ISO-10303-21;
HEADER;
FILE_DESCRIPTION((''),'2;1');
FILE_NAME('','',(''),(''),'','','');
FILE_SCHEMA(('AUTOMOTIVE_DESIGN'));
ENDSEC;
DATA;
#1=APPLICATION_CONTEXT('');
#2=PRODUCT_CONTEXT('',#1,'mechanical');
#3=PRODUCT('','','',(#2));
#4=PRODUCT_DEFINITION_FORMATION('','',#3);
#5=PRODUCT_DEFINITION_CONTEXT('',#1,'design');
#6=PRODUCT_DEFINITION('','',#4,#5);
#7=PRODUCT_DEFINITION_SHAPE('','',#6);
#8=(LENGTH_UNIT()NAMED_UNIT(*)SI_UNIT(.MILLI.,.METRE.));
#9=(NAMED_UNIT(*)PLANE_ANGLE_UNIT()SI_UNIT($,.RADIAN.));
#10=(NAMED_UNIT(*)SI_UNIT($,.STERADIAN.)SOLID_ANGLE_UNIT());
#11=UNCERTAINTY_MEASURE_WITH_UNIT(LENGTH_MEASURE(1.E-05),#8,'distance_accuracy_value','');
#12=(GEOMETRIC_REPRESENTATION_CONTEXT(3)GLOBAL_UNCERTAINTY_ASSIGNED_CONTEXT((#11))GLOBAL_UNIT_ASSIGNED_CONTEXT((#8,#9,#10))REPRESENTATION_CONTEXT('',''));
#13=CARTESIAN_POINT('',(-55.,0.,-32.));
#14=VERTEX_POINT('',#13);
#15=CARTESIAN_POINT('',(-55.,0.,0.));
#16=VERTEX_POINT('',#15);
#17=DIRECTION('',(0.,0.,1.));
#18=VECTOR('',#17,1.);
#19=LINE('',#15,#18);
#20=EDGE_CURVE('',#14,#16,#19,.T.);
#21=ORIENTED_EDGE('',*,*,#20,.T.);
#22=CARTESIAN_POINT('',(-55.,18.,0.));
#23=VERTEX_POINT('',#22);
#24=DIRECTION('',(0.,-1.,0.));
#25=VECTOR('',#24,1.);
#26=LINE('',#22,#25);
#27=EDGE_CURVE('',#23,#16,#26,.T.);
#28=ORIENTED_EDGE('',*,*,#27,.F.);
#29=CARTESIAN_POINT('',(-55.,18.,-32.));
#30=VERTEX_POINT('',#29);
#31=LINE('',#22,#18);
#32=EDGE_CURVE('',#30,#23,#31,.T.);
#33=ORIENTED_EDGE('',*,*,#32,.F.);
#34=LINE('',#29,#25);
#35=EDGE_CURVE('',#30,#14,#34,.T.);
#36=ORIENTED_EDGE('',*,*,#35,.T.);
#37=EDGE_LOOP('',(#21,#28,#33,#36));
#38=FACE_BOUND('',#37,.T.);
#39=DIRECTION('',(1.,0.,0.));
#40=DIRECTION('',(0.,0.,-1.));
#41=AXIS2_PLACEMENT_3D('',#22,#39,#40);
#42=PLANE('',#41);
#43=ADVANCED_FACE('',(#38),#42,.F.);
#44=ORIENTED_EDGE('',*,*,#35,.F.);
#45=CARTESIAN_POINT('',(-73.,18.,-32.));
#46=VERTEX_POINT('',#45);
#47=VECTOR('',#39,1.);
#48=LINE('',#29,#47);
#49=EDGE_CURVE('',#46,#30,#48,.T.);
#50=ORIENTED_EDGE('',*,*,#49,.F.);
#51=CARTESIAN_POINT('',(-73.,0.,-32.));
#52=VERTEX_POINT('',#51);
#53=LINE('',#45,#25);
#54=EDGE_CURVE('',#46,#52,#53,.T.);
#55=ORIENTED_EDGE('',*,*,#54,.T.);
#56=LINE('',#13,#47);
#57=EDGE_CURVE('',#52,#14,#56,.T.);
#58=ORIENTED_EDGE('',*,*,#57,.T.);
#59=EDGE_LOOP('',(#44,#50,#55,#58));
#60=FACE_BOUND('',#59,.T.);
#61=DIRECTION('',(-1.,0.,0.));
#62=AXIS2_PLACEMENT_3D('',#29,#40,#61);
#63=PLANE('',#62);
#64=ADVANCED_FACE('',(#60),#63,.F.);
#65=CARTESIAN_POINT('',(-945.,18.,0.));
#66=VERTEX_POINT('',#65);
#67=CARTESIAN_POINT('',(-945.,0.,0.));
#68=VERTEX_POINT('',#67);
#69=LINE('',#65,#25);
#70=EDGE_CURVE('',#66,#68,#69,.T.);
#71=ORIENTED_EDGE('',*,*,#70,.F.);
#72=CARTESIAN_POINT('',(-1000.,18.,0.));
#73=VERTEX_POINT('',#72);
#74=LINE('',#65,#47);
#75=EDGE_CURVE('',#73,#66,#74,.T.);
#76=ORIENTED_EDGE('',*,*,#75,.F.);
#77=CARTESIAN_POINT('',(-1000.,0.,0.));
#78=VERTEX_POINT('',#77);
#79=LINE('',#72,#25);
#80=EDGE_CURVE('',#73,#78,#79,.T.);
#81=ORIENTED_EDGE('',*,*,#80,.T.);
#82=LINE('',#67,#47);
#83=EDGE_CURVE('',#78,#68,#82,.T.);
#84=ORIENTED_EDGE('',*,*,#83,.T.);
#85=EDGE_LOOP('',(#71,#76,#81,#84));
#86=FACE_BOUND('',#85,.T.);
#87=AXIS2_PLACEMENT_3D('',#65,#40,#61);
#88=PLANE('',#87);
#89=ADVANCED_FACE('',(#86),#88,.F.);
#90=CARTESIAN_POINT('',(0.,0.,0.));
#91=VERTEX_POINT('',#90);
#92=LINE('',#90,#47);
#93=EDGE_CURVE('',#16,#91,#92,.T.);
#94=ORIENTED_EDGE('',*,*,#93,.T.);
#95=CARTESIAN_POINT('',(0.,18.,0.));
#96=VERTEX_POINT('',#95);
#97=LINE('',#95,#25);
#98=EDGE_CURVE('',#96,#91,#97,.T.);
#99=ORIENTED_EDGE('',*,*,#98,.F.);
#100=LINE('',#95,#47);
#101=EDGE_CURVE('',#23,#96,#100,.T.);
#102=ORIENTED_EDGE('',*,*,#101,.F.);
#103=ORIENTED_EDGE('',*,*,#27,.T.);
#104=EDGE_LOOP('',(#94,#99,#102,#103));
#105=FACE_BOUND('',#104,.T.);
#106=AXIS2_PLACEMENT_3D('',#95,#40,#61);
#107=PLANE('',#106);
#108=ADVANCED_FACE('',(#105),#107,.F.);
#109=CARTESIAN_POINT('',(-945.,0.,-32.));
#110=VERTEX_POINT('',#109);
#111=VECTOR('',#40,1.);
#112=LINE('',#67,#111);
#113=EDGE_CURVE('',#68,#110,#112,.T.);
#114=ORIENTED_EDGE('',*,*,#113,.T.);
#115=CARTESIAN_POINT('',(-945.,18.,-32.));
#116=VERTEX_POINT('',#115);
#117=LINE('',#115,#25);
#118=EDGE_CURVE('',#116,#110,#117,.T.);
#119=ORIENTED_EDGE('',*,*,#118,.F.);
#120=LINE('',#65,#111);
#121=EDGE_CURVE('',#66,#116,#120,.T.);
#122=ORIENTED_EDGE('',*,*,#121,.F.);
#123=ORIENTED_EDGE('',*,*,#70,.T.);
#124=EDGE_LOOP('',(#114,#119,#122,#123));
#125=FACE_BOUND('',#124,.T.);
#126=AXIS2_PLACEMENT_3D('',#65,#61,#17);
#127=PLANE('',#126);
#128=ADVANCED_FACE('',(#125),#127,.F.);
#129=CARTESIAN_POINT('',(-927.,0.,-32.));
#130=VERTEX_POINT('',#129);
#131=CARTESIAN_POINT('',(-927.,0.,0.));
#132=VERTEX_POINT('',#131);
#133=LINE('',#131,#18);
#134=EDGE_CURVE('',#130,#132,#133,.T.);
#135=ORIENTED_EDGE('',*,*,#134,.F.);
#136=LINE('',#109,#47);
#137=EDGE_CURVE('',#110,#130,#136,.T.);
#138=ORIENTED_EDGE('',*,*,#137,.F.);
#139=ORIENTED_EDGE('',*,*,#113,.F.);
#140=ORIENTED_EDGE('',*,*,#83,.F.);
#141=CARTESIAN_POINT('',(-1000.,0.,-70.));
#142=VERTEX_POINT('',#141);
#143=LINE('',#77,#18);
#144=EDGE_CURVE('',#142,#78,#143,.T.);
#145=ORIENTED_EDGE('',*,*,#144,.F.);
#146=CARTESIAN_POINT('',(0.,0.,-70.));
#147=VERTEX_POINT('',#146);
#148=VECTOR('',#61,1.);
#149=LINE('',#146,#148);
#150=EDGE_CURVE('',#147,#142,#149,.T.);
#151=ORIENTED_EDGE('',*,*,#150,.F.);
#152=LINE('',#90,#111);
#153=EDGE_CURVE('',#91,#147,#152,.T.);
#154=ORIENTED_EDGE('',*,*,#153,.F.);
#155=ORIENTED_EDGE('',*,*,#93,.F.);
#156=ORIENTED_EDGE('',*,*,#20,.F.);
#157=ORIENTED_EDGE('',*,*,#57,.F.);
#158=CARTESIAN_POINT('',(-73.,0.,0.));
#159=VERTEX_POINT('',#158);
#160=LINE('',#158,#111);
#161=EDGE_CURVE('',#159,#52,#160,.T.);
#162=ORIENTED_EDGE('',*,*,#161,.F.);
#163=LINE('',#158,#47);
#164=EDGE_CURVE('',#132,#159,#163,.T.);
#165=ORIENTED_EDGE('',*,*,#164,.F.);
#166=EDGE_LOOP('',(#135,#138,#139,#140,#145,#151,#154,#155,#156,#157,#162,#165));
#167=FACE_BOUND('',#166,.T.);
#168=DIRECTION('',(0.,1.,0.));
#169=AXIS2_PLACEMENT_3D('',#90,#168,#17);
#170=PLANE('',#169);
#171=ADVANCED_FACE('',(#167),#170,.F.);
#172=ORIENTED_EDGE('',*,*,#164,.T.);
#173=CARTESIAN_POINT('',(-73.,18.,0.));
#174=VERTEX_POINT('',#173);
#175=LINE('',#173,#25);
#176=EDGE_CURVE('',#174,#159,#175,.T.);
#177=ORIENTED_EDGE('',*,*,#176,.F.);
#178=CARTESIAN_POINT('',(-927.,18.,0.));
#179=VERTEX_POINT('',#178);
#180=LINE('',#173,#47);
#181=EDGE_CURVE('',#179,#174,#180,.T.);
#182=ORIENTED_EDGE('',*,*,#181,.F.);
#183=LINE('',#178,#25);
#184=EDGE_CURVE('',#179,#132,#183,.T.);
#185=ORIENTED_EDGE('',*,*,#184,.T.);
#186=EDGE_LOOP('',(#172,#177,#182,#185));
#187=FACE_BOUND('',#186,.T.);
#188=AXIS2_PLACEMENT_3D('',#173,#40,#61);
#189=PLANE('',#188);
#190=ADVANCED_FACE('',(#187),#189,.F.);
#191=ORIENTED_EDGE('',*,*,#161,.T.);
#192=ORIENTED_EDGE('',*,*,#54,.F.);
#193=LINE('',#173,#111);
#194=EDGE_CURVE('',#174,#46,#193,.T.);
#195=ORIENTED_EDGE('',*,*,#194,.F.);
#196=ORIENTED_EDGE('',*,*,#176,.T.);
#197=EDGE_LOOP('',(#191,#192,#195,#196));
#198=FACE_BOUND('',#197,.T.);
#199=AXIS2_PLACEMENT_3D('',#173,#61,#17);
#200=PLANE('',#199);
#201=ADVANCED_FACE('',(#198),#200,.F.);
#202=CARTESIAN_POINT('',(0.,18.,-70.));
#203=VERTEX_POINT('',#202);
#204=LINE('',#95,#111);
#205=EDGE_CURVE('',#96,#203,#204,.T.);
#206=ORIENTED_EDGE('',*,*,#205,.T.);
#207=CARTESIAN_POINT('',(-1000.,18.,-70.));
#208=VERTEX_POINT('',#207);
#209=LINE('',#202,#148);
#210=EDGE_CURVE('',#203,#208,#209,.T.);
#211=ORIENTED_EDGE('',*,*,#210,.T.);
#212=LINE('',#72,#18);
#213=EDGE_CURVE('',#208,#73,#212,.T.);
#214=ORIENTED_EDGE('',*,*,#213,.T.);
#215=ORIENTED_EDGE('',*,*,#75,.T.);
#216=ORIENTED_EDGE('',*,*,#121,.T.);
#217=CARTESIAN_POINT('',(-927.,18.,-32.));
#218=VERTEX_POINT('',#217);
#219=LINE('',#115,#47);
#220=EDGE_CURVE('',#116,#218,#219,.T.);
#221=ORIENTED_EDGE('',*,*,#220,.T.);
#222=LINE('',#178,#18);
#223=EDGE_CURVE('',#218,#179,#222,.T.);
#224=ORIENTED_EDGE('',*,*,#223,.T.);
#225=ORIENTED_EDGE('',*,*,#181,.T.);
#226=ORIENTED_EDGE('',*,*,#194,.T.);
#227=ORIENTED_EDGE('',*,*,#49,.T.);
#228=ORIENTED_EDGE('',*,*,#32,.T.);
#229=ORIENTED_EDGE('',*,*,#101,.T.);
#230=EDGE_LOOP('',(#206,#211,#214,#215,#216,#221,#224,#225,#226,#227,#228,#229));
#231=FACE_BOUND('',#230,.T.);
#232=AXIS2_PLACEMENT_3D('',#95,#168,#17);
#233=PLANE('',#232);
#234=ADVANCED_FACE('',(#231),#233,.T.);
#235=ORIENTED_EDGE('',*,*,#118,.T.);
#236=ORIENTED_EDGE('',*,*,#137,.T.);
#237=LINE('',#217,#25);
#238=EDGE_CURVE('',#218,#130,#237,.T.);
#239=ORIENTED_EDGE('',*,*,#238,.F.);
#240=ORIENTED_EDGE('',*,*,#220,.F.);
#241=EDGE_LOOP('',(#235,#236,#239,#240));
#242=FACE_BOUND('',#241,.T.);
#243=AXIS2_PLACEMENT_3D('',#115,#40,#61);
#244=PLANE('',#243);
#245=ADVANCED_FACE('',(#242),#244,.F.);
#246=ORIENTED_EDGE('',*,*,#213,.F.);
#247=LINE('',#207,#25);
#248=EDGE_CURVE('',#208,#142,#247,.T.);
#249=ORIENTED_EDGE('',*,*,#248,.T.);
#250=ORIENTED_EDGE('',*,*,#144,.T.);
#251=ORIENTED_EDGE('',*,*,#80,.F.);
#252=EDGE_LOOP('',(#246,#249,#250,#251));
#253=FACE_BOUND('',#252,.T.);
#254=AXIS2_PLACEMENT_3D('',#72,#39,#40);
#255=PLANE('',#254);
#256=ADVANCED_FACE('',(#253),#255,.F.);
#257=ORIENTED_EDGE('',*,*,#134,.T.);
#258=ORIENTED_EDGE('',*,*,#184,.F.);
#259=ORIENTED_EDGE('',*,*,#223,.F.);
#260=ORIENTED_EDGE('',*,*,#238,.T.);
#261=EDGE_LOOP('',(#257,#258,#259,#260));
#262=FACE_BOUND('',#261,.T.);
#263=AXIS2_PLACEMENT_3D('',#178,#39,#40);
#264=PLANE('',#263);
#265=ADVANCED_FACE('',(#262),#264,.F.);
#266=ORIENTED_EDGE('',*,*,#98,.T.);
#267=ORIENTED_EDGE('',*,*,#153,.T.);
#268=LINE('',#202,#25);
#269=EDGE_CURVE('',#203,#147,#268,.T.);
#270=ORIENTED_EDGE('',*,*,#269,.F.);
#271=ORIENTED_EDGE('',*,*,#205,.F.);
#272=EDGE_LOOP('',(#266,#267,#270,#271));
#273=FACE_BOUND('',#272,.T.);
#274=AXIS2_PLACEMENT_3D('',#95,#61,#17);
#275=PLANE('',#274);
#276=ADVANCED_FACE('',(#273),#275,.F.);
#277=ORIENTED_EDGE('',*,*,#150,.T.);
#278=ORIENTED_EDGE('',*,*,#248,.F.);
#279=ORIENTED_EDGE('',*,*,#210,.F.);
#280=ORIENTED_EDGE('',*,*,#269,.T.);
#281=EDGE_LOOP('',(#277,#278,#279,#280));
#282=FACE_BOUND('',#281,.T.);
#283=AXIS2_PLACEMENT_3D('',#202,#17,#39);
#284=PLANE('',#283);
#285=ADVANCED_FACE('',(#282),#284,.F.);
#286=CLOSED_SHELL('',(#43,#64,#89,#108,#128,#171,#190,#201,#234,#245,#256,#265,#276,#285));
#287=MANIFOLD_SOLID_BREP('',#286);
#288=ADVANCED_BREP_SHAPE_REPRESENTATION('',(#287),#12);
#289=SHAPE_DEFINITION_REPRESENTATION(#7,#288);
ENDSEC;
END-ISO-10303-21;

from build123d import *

# Parameters (mm, degrees)
BOSS_EXTRUDE1_DEPTH = 18


with BuildPart() as part:
    # Sketch1 → Boss-Extrude1 (new body)
    with BuildSketch(Plane(origin=(0, 0, 0), x_dir=(1, 0, 0), z_dir=(0, 1, 0))):
        Polygon((0, 0), (-55, 0), (-55, 32), (-73, 32), (-73, 0), (-927, 0), (-927, 32), (-945, 32), (-945, 0), (-1000, 0), (-1000, 70), (0, 70), align=None)
    extrude(amount=BOSS_EXTRUDE1_DEPTH)


solid = part.part
